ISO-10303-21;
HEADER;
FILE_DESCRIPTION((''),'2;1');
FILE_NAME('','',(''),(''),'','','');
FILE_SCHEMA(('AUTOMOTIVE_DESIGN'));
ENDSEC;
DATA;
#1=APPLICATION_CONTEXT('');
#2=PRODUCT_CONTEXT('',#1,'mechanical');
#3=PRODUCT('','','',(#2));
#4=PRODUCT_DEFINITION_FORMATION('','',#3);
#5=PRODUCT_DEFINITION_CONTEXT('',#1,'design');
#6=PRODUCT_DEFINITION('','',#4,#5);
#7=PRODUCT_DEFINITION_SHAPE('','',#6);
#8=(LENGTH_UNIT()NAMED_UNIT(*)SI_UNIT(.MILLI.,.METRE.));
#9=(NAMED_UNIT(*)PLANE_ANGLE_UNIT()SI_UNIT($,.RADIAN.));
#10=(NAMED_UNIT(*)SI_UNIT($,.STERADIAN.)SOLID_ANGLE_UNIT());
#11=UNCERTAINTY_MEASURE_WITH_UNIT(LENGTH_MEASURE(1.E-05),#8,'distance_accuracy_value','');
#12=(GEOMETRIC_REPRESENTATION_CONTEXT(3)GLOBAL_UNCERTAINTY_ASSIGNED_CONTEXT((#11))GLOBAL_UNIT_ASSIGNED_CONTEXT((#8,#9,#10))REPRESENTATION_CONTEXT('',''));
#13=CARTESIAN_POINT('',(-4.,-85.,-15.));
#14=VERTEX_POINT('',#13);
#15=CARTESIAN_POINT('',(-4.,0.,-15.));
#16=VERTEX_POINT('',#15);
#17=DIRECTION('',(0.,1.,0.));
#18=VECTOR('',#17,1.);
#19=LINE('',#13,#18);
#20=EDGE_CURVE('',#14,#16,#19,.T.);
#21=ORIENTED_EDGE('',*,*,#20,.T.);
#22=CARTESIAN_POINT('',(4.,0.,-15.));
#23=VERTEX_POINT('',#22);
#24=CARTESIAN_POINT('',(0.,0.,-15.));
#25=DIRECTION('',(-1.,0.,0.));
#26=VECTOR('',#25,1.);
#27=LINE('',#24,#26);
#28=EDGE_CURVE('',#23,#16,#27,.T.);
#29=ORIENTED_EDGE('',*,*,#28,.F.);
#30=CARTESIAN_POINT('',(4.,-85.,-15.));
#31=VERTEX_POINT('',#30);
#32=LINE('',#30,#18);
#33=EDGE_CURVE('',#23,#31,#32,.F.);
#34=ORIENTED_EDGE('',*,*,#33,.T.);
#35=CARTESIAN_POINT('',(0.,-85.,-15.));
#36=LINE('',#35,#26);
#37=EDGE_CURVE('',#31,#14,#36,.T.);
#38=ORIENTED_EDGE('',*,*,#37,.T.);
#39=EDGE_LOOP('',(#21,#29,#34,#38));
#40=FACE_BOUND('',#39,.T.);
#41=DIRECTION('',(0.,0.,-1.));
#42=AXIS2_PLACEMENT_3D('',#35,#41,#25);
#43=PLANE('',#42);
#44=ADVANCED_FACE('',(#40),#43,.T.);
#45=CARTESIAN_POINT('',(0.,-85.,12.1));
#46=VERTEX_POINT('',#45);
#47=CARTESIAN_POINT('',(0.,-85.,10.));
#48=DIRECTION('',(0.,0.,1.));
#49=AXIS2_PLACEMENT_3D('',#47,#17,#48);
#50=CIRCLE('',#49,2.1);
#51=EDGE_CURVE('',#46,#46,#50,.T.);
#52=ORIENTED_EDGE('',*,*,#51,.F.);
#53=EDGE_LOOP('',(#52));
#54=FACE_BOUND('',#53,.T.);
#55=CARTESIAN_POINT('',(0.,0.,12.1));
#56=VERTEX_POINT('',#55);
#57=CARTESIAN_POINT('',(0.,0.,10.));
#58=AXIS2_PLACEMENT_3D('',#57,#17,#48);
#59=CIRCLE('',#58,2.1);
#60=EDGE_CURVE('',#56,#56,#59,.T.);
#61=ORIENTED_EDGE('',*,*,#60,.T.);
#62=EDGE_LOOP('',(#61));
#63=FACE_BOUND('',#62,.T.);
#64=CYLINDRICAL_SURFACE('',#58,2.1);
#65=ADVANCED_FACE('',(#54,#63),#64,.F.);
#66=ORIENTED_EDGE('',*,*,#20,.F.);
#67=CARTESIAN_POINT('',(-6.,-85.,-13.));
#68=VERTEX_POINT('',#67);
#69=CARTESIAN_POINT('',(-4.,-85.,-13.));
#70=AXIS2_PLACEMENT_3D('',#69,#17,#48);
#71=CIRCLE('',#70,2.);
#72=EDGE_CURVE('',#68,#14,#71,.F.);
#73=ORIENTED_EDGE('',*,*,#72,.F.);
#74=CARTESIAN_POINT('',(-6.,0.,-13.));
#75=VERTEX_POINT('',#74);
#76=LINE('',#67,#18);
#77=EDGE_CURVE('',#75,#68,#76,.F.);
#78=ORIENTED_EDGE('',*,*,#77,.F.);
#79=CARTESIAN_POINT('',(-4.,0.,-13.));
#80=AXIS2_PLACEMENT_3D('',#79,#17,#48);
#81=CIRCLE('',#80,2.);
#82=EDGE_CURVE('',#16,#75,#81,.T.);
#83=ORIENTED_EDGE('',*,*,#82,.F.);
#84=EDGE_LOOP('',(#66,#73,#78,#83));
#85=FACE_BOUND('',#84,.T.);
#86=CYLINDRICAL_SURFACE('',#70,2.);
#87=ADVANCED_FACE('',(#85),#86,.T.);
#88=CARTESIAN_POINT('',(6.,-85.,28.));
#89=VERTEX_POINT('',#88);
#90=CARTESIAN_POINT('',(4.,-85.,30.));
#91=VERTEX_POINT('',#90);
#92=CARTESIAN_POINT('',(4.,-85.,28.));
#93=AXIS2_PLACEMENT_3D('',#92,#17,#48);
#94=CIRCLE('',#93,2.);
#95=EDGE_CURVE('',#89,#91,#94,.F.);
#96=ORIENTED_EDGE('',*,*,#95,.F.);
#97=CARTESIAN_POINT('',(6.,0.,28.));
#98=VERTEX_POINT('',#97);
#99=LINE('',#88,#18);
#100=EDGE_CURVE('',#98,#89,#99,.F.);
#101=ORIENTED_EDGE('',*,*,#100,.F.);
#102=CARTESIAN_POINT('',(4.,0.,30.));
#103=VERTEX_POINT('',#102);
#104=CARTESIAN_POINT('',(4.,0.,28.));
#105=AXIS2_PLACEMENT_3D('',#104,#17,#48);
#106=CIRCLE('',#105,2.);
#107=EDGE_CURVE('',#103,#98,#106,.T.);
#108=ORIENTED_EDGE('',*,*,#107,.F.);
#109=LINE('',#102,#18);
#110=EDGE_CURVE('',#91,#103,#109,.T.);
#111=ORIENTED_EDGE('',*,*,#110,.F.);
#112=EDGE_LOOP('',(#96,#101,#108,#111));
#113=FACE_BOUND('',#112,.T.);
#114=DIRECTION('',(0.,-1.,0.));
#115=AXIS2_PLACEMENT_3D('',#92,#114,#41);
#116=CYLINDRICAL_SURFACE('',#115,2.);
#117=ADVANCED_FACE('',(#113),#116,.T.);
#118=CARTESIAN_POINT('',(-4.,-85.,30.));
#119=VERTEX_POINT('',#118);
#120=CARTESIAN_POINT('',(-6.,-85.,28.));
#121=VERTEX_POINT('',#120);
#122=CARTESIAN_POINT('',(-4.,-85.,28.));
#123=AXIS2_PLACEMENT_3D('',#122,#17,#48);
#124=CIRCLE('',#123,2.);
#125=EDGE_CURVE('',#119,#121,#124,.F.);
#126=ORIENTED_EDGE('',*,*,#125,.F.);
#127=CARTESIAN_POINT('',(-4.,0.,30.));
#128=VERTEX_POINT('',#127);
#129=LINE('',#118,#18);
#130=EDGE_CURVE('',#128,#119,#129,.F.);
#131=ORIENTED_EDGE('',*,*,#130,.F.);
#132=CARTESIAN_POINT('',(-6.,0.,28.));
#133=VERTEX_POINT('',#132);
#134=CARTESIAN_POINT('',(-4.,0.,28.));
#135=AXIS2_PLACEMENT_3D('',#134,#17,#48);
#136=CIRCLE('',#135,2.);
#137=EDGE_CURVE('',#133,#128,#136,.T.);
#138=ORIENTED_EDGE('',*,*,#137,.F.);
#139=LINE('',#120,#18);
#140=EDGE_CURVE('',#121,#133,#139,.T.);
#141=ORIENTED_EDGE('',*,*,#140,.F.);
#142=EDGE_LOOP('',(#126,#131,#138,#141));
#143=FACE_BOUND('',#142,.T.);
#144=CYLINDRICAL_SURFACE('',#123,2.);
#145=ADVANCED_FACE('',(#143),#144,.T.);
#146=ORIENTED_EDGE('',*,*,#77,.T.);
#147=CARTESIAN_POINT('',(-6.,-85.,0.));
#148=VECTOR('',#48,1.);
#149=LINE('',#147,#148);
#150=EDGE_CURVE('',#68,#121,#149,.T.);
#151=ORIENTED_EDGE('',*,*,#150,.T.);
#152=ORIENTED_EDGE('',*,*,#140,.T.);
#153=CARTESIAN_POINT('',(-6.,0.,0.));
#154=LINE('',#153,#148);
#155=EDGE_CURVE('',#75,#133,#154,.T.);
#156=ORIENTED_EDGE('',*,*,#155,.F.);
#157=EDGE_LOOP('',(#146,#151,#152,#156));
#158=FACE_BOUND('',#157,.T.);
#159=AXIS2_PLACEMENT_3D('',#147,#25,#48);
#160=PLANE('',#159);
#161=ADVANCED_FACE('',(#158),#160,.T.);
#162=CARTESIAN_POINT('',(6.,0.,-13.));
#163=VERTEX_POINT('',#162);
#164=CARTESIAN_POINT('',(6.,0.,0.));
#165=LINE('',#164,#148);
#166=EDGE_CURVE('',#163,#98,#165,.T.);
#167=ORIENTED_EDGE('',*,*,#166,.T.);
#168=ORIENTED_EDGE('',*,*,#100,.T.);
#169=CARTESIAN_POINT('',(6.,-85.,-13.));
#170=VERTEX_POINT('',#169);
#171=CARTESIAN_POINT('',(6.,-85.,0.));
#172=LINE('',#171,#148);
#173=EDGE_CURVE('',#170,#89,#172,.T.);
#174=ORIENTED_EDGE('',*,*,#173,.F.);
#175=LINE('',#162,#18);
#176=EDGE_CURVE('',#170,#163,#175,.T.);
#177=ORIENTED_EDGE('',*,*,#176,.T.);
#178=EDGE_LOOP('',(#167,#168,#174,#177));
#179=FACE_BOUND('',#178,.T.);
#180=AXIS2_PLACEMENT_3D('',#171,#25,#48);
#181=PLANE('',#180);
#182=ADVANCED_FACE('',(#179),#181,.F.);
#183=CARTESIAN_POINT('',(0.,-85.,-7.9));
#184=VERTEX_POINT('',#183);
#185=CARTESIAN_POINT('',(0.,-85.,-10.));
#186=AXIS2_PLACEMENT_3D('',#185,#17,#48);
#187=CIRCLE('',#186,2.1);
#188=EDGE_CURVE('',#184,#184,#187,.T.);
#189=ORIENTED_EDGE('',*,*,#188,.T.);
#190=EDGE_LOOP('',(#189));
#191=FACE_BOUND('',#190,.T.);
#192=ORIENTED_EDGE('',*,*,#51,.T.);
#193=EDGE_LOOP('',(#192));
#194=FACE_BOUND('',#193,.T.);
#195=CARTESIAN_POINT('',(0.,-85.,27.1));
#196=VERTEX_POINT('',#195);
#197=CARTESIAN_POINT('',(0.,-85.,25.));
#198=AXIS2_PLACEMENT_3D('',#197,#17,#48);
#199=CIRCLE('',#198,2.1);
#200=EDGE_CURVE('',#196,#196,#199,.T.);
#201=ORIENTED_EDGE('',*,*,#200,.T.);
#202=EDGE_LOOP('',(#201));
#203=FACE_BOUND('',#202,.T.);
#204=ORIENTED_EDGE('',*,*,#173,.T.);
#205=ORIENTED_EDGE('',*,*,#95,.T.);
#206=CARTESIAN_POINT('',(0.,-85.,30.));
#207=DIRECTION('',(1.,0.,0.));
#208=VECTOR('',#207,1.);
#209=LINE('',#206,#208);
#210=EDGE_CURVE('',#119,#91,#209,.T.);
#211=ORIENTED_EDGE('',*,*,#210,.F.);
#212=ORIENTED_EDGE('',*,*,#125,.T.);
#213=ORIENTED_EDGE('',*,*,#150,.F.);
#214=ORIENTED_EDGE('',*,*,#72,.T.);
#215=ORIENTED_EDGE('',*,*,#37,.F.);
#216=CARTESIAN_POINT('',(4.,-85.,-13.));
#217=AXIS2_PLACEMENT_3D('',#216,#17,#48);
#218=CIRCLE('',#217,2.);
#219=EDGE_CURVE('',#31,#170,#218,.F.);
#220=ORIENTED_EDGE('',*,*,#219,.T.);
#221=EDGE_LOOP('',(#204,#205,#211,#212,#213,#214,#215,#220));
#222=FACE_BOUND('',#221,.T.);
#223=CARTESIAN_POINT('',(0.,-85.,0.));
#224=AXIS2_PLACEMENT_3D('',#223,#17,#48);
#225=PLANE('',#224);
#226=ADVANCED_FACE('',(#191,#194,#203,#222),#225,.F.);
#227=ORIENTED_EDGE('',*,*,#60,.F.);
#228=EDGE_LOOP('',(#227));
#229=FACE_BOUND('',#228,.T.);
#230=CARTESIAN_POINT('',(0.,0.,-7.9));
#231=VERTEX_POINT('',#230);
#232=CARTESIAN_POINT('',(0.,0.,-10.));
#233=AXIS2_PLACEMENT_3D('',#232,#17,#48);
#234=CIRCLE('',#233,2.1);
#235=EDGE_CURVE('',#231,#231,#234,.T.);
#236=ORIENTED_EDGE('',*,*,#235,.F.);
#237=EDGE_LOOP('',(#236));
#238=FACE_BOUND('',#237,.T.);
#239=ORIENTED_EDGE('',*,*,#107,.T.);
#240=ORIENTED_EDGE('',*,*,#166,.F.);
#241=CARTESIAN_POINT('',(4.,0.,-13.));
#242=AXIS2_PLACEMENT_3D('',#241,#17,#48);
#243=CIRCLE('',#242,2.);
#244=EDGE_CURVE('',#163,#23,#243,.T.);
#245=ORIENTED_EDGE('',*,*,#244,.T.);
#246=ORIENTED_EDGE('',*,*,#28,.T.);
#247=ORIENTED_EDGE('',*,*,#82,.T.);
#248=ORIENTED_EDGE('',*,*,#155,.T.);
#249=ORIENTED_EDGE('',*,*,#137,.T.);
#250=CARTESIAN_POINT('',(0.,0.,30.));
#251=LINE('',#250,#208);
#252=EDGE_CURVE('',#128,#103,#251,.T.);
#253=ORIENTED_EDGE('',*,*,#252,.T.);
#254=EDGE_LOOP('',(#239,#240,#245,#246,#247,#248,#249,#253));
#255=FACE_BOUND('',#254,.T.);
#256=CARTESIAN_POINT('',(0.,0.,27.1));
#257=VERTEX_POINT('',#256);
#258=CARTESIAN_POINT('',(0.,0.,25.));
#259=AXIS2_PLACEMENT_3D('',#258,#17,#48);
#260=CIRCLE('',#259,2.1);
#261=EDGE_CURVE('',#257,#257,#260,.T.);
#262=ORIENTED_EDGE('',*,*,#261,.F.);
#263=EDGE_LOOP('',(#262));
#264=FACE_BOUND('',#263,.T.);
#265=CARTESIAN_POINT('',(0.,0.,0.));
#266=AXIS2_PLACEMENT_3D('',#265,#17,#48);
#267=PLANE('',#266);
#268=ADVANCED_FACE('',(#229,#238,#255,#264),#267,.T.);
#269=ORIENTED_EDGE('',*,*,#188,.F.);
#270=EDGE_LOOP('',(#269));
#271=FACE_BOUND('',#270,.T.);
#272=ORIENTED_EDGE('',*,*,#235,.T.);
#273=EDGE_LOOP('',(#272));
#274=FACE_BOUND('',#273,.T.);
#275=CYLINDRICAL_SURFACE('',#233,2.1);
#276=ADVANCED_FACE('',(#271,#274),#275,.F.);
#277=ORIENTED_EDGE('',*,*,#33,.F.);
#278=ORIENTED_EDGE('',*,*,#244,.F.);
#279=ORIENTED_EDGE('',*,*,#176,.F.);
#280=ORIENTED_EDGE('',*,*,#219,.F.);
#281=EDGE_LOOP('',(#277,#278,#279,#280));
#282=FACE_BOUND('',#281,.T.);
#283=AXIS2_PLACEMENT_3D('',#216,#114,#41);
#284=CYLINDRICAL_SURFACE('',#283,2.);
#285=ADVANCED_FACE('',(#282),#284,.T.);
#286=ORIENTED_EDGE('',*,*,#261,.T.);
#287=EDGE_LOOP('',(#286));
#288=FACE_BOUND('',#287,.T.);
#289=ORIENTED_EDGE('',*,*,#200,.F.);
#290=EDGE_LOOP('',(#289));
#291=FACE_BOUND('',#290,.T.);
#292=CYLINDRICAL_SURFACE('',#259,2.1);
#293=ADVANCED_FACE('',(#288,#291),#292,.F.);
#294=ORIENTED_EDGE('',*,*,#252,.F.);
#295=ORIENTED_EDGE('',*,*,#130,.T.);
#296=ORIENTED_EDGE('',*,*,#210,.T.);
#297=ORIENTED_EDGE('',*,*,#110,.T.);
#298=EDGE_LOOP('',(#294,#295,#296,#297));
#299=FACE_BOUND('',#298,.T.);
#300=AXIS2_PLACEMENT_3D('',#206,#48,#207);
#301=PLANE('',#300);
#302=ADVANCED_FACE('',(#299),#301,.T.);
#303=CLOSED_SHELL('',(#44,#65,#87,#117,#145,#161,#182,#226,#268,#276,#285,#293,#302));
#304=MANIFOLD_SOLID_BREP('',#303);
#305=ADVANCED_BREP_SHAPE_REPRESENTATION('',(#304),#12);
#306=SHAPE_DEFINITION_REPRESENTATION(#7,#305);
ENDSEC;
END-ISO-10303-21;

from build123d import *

# Parameters (mm, degrees)
SKETCH1_W                   = 12
SKETCH1_H                   = 45
BOSS_EXTRUDE1_DEPTH         = 85
TAP_DRILL_FOR_M5X0_8_TAP1_D = 4.2
FILLET1_R                   = 2


with BuildPart() as part:
    # Sketch1 → Boss-Extrude1 (new body)
    with BuildSketch(Plane(origin=(0, 0, 0), x_dir=(1, 0, 0), z_dir=(0, 1, 0))):
        with Locations((0, -7.5)):
            Rectangle(SKETCH1_W, SKETCH1_H)
    extrude(amount=-BOSS_EXTRUDE1_DEPTH)

    # Tap Drill for M5x0.8 Tap1 (through all)
    with Locations(Plane(origin=(0, 0, -10), x_dir=(0, 0, 1), z_dir=(0, 1, 0))):
        with Locations((0, 0), (20, 0), (35, 0)):
            Hole(TAP_DRILL_FOR_M5X0_8_TAP1_D / 2)

    # Fillet1
    fillet1_edges = [part.edges().sort_by_distance(p)[0] for p in [
        (6, -42.5, 30),
        (-6, -42.5, 30),
        (-6, -42.5, -15),
        (6, -42.5, -15),
    ]]
    fillet(fillet1_edges, radius=FILLET1_R)


solid = part.part
